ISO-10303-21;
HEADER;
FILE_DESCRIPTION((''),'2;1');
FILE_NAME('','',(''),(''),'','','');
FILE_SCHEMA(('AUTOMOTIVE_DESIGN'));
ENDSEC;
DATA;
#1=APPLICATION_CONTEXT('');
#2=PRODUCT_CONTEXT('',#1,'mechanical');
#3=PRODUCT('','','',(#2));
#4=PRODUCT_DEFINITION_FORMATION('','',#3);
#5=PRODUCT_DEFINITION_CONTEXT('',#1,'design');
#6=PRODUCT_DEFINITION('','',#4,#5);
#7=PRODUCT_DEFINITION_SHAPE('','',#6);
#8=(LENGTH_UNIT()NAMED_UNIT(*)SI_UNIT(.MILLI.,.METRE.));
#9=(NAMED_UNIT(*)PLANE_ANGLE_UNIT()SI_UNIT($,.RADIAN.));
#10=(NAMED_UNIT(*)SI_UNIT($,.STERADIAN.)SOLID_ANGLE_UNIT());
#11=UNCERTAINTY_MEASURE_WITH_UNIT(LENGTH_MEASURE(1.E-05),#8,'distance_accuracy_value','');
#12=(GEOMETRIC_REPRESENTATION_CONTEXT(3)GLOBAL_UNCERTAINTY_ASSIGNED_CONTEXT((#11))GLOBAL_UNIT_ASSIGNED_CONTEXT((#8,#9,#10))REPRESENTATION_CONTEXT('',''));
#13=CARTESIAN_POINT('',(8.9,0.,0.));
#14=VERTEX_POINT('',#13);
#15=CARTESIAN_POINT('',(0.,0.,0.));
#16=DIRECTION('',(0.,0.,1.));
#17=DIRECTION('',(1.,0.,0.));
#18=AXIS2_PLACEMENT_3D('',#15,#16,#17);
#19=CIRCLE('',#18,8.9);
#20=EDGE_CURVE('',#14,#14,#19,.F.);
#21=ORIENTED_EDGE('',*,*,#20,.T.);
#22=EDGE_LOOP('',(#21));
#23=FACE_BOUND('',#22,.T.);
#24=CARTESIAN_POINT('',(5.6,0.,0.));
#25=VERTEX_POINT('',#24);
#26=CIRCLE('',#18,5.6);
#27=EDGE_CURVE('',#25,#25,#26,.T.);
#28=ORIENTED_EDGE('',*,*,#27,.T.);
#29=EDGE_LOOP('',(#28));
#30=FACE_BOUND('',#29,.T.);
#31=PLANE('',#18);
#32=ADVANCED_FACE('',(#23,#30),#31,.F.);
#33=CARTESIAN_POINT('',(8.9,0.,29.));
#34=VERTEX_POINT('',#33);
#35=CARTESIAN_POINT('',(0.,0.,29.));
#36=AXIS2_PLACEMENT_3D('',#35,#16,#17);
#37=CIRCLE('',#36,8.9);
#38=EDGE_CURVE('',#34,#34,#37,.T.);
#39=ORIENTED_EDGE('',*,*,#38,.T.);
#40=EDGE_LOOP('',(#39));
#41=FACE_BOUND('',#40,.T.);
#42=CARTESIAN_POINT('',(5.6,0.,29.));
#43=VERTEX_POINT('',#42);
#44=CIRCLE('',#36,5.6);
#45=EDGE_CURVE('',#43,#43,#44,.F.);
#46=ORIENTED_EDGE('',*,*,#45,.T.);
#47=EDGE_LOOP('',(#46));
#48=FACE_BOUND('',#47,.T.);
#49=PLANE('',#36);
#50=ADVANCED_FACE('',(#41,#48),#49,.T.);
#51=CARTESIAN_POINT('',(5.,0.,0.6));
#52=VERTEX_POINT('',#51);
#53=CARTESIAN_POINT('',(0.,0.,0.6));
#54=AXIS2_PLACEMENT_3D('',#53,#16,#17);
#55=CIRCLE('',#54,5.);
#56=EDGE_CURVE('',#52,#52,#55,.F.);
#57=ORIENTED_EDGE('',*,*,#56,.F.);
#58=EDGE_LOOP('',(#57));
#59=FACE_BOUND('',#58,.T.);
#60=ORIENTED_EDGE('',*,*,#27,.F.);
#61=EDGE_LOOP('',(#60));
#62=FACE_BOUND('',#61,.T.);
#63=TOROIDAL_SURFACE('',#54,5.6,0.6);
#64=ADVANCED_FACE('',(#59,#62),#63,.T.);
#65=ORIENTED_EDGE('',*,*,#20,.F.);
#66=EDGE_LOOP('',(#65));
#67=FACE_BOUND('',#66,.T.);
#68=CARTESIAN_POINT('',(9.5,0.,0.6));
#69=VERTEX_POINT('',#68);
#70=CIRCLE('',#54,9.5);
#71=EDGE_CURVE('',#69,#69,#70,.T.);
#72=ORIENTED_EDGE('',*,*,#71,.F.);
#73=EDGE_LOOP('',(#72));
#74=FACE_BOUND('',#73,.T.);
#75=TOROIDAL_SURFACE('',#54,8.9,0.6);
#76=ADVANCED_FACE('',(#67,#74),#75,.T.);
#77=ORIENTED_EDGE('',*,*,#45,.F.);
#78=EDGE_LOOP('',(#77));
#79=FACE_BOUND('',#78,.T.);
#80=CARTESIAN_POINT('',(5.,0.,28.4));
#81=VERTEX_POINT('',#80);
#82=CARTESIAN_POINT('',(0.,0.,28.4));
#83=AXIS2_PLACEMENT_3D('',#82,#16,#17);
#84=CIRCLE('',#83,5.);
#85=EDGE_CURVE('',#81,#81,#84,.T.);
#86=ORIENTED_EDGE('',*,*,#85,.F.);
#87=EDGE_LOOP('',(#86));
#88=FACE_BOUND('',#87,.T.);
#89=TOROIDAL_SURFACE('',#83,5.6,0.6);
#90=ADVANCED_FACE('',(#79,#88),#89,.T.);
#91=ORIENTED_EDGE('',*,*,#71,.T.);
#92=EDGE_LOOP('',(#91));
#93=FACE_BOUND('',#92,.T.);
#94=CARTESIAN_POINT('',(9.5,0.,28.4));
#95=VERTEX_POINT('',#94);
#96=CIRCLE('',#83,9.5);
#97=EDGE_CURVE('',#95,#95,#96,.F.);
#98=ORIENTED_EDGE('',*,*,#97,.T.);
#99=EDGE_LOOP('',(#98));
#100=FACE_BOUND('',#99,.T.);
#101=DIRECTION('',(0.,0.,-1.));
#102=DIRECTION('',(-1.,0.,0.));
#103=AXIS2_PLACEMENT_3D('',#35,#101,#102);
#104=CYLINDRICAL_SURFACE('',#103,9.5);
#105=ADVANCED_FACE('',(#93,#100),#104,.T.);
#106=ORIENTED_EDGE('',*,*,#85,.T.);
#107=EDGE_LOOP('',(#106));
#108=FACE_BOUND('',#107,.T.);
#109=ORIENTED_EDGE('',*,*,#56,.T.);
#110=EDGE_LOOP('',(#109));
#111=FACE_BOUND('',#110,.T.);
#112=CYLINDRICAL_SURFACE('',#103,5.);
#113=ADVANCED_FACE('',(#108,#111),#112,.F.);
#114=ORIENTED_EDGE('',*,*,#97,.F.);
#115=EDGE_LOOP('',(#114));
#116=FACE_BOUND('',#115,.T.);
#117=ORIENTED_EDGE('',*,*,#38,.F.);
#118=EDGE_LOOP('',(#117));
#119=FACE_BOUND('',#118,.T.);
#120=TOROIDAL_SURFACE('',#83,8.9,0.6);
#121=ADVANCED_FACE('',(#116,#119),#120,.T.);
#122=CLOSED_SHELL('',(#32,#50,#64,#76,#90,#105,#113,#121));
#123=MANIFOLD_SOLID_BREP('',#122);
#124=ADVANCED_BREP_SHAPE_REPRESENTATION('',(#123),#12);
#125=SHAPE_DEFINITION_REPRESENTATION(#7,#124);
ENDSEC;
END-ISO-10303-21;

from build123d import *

# Parameters (mm, degrees)
ESQUISSE1_R        = 9.5
ESQUISSE1_R_2      = 5
BOSS_EXTRU_1_DEPTH = 29
CONG_1_R           = 0.6


with BuildPart() as part:
    # Esquisse1 → Boss.-Extru.1 (new body)
    with BuildSketch(Plane.XY):
        Circle(ESQUISSE1_R)
        Circle(ESQUISSE1_R_2, mode=Mode.SUBTRACT)
    extrude(amount=BOSS_EXTRU_1_DEPTH)

    # Congé1
    cong_1_edges = [part.edges().sort_by_distance(p)[0] for p in [
        (-9.5, 0, 0),
        (-9.5, 0, 29),
        (-5, 0, 0),
        (-5, 0, 29),
    ]]
    fillet(cong_1_edges, radius=CONG_1_R)


solid = part.part
